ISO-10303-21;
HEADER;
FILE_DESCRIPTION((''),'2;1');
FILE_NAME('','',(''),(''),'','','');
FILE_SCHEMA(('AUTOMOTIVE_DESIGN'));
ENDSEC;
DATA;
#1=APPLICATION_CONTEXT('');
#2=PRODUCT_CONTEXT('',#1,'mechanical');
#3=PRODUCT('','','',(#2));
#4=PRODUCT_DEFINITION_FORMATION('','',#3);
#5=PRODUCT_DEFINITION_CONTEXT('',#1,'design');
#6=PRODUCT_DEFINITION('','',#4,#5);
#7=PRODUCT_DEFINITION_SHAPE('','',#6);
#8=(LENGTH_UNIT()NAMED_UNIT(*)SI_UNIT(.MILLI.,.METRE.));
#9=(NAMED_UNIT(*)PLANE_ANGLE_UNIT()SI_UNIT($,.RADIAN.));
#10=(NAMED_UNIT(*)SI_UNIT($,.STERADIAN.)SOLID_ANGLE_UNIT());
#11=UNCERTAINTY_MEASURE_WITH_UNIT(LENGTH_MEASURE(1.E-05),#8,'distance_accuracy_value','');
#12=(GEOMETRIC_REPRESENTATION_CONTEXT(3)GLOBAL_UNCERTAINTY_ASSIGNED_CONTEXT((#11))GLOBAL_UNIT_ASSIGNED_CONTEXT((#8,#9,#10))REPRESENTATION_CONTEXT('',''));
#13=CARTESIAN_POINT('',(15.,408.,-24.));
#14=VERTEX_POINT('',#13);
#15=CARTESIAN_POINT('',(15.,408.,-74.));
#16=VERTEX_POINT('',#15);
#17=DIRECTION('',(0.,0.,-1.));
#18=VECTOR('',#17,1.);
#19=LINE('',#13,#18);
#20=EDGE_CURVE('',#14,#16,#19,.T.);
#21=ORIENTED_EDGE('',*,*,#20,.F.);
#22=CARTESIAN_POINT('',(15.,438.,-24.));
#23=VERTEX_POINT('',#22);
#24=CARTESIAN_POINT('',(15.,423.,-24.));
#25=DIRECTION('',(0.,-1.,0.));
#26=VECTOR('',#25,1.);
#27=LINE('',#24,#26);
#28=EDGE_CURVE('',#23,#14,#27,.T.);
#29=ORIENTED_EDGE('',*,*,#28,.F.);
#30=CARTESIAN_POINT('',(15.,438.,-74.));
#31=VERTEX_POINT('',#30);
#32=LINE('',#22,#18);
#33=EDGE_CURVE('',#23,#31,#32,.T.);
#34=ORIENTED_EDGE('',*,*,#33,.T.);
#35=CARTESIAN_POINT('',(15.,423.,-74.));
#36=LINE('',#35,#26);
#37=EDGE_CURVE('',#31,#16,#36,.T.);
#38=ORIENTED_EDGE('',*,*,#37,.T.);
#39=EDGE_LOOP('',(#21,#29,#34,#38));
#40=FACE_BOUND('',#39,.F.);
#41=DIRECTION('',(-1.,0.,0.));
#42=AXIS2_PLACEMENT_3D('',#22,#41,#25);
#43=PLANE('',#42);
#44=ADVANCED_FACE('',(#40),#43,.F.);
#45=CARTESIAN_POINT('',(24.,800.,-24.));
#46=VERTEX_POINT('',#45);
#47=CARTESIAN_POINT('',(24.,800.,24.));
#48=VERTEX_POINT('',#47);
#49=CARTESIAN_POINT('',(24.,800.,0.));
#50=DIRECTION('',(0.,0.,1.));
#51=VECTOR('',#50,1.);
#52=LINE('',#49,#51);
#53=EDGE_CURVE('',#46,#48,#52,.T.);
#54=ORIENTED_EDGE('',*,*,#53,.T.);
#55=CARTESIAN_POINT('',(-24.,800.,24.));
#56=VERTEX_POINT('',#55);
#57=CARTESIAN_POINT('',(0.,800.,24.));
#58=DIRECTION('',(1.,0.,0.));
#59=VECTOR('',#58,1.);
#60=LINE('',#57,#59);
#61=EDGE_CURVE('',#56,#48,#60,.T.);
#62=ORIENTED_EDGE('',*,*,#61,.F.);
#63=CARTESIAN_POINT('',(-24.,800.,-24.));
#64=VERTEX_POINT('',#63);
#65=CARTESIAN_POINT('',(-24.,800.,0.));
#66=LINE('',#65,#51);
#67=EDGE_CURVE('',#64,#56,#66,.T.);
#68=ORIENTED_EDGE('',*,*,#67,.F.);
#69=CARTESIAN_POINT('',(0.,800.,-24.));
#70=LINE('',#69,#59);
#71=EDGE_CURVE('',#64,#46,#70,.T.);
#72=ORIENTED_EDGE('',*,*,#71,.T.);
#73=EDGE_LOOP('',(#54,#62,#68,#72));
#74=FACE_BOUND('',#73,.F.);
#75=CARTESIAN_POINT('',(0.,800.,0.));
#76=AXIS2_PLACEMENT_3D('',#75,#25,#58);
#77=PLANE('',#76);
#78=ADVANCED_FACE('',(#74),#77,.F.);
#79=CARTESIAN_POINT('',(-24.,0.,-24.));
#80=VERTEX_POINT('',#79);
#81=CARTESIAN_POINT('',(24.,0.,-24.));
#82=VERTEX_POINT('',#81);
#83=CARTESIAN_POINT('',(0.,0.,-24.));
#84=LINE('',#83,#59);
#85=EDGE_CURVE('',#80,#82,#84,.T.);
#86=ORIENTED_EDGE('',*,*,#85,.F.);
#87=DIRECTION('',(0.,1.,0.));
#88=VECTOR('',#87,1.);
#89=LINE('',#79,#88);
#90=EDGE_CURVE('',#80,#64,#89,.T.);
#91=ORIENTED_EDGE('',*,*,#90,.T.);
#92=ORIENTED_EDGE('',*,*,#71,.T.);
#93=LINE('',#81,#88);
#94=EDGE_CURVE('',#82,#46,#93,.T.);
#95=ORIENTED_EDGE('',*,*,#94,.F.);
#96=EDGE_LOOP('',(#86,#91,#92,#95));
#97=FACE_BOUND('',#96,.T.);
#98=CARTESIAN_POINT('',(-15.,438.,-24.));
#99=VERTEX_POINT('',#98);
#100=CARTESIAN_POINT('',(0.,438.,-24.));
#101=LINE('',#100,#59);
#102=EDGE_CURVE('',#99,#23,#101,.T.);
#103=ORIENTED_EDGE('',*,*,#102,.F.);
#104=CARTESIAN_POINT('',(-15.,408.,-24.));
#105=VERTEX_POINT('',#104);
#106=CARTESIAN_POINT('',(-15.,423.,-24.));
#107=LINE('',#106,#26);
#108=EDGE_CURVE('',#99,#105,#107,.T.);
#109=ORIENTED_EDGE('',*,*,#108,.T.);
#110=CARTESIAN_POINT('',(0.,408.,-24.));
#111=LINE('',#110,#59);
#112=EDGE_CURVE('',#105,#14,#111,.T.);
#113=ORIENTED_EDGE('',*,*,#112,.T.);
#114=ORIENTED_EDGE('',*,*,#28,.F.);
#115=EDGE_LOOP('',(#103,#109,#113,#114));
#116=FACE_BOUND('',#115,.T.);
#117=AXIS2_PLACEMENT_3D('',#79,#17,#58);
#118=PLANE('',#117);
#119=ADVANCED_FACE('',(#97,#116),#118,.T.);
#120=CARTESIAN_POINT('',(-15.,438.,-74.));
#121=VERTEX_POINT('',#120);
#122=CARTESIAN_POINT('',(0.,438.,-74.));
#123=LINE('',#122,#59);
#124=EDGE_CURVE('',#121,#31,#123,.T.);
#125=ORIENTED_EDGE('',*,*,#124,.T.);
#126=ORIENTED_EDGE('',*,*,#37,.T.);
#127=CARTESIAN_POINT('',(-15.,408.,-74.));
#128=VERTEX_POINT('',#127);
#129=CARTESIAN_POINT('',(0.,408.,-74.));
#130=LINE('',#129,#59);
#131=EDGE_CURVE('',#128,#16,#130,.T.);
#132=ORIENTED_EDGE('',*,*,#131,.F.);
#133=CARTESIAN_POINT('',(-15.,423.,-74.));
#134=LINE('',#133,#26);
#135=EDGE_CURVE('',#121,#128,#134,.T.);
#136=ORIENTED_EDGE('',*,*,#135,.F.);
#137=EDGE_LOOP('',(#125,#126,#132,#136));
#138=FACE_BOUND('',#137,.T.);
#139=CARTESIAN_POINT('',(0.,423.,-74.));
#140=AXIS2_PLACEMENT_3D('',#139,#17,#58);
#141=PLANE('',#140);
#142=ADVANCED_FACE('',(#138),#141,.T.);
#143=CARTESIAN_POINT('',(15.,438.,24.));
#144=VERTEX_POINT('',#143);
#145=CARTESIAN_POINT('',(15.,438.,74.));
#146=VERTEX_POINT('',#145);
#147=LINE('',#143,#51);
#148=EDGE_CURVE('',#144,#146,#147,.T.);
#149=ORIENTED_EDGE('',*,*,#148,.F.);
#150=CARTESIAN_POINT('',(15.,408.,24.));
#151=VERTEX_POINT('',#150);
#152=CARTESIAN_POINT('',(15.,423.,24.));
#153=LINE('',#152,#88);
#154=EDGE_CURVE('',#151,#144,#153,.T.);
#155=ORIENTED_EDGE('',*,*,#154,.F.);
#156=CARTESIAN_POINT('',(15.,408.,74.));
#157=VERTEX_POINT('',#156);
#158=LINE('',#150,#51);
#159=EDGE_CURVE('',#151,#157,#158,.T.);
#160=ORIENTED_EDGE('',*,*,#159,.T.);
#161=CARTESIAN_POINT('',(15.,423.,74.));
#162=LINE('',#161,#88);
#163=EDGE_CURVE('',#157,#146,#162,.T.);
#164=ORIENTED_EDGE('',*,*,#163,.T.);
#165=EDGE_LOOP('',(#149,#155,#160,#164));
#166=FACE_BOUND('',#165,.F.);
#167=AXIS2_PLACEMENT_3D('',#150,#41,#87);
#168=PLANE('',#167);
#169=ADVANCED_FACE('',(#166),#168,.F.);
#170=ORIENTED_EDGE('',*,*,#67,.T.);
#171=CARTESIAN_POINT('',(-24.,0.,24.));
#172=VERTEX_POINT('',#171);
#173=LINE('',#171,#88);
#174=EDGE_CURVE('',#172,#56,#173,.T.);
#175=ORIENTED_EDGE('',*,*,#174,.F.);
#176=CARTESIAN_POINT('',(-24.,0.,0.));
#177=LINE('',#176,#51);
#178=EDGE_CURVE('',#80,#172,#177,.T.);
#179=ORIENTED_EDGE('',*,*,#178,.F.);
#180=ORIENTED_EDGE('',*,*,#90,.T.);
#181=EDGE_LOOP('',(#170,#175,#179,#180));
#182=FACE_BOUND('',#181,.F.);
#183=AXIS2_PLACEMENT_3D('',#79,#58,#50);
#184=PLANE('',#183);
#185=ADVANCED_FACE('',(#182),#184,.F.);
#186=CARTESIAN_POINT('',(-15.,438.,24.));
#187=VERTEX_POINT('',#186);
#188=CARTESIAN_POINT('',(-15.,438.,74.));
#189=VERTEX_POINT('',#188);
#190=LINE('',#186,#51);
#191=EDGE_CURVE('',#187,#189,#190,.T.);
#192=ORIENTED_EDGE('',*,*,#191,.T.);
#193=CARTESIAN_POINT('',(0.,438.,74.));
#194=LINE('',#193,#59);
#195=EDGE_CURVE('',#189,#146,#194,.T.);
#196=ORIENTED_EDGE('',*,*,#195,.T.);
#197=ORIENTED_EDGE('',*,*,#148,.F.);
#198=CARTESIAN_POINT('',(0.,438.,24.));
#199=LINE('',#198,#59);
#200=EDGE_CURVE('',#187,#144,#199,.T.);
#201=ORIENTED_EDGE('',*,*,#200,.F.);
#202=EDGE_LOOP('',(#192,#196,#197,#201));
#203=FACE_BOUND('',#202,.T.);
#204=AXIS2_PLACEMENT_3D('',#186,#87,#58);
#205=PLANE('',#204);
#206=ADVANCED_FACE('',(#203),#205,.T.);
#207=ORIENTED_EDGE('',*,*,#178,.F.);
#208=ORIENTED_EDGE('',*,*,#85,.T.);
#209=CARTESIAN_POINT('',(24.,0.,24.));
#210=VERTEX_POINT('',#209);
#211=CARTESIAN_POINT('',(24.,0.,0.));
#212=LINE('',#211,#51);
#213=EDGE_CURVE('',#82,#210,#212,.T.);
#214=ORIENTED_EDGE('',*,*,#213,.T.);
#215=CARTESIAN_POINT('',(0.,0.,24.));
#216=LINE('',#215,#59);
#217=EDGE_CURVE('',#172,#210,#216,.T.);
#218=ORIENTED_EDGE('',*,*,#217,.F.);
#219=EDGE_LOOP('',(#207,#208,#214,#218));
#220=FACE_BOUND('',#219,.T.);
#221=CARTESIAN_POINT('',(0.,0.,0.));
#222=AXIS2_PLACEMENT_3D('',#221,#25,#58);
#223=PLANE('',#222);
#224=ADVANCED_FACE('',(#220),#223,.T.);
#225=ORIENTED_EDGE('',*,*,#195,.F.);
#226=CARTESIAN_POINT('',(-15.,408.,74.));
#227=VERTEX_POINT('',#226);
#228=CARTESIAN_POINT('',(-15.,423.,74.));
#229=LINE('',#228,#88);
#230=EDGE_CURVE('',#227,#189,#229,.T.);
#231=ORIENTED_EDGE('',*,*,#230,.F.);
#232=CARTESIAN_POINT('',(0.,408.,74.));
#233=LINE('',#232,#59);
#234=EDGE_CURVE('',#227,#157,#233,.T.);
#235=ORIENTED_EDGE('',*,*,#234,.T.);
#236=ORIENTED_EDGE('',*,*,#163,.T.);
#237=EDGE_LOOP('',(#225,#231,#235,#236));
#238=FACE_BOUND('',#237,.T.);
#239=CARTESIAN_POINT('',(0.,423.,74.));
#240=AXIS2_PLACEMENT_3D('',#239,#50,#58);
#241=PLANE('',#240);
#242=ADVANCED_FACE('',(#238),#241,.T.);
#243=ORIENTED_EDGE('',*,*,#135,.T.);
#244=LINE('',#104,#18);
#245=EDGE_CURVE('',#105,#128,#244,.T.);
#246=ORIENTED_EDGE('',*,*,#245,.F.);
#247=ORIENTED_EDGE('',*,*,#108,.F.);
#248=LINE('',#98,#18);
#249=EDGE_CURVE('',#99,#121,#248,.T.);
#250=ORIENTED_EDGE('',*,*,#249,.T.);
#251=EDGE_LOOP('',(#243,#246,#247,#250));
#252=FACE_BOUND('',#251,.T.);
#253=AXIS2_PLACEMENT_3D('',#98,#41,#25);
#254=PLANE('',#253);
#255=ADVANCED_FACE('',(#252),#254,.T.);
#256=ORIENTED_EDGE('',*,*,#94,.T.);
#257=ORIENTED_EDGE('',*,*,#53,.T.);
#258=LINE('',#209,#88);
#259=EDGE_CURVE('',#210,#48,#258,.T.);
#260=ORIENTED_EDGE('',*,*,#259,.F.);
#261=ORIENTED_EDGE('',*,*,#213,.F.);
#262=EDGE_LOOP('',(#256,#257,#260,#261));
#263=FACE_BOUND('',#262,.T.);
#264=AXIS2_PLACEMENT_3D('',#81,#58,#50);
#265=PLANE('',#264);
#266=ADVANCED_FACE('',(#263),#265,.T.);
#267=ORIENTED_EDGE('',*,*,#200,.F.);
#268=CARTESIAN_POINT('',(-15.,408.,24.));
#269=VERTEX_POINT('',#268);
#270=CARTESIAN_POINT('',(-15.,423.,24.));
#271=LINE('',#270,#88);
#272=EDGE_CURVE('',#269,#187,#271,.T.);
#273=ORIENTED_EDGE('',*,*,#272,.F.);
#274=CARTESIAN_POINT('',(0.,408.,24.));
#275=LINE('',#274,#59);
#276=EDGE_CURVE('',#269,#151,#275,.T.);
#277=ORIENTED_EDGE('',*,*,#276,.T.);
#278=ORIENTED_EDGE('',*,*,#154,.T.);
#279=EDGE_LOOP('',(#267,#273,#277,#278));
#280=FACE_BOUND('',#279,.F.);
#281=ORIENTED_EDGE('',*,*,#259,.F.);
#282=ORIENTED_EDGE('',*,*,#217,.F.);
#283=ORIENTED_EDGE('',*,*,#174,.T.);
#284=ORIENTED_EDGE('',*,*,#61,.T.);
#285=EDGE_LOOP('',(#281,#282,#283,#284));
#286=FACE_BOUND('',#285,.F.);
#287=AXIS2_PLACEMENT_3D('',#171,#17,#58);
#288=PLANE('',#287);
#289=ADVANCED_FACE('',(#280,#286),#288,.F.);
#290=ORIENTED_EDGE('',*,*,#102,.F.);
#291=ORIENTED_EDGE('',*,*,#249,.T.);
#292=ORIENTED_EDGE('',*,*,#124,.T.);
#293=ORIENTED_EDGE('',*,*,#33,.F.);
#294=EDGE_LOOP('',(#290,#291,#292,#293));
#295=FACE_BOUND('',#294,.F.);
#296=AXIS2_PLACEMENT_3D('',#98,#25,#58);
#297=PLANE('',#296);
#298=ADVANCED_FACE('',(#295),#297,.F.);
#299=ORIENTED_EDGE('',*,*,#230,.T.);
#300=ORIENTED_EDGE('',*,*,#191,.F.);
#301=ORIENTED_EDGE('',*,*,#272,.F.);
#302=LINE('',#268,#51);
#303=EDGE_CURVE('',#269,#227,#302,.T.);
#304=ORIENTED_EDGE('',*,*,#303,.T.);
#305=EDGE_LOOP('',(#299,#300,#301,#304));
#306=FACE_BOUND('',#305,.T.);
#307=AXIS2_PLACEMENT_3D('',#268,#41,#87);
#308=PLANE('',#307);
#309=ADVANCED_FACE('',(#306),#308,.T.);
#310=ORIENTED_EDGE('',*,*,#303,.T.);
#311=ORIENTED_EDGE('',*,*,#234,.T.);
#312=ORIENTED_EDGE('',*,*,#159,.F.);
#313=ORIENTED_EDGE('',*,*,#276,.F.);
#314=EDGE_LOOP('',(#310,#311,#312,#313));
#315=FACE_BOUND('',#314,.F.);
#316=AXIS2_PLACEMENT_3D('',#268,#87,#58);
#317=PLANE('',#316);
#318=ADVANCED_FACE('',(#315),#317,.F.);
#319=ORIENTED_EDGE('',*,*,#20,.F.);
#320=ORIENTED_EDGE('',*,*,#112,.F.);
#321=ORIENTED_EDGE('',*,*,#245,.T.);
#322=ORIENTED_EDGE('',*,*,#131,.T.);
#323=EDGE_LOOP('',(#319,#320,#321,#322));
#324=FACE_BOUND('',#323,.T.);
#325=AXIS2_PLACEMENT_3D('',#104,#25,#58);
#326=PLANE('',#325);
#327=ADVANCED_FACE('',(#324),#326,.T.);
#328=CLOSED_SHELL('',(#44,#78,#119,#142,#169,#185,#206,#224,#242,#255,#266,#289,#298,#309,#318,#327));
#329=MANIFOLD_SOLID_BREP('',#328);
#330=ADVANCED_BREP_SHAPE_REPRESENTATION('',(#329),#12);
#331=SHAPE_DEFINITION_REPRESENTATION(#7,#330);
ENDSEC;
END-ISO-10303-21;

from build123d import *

# Parameters (mm, degrees)
F0_W     = 48
F0_H     = 48
F1_DEPTH = 800
F2_W     = 30
F2_H     = 30
F3_DEPTH = 50
F4_W     = 30
F4_H     = 30
F5_DEPTH = 50


with BuildPart() as f1:
    # F0 (on Front) → F1 (new body)
    with BuildSketch(Plane.XZ):
        Rectangle(F0_W, F0_H)
    extrude(amount=-F1_DEPTH)

    # F2 (on face) → F3 (join)
    with BuildSketch(Plane.XY.offset(24)):
        with Locations((0, 423)):
            Rectangle(F2_W, F2_H)
    extrude(amount=F3_DEPTH)

    # F4 (on face) → F5 (join)
    with BuildSketch(Plane(origin=(0, 0, -24), x_dir=(1, 0, 0), z_dir=(0, 0, -1))):
        with Locations((0, -423)):
            Rectangle(F4_W, F4_H)
    extrude(amount=F5_DEPTH)


solid = f1.part
